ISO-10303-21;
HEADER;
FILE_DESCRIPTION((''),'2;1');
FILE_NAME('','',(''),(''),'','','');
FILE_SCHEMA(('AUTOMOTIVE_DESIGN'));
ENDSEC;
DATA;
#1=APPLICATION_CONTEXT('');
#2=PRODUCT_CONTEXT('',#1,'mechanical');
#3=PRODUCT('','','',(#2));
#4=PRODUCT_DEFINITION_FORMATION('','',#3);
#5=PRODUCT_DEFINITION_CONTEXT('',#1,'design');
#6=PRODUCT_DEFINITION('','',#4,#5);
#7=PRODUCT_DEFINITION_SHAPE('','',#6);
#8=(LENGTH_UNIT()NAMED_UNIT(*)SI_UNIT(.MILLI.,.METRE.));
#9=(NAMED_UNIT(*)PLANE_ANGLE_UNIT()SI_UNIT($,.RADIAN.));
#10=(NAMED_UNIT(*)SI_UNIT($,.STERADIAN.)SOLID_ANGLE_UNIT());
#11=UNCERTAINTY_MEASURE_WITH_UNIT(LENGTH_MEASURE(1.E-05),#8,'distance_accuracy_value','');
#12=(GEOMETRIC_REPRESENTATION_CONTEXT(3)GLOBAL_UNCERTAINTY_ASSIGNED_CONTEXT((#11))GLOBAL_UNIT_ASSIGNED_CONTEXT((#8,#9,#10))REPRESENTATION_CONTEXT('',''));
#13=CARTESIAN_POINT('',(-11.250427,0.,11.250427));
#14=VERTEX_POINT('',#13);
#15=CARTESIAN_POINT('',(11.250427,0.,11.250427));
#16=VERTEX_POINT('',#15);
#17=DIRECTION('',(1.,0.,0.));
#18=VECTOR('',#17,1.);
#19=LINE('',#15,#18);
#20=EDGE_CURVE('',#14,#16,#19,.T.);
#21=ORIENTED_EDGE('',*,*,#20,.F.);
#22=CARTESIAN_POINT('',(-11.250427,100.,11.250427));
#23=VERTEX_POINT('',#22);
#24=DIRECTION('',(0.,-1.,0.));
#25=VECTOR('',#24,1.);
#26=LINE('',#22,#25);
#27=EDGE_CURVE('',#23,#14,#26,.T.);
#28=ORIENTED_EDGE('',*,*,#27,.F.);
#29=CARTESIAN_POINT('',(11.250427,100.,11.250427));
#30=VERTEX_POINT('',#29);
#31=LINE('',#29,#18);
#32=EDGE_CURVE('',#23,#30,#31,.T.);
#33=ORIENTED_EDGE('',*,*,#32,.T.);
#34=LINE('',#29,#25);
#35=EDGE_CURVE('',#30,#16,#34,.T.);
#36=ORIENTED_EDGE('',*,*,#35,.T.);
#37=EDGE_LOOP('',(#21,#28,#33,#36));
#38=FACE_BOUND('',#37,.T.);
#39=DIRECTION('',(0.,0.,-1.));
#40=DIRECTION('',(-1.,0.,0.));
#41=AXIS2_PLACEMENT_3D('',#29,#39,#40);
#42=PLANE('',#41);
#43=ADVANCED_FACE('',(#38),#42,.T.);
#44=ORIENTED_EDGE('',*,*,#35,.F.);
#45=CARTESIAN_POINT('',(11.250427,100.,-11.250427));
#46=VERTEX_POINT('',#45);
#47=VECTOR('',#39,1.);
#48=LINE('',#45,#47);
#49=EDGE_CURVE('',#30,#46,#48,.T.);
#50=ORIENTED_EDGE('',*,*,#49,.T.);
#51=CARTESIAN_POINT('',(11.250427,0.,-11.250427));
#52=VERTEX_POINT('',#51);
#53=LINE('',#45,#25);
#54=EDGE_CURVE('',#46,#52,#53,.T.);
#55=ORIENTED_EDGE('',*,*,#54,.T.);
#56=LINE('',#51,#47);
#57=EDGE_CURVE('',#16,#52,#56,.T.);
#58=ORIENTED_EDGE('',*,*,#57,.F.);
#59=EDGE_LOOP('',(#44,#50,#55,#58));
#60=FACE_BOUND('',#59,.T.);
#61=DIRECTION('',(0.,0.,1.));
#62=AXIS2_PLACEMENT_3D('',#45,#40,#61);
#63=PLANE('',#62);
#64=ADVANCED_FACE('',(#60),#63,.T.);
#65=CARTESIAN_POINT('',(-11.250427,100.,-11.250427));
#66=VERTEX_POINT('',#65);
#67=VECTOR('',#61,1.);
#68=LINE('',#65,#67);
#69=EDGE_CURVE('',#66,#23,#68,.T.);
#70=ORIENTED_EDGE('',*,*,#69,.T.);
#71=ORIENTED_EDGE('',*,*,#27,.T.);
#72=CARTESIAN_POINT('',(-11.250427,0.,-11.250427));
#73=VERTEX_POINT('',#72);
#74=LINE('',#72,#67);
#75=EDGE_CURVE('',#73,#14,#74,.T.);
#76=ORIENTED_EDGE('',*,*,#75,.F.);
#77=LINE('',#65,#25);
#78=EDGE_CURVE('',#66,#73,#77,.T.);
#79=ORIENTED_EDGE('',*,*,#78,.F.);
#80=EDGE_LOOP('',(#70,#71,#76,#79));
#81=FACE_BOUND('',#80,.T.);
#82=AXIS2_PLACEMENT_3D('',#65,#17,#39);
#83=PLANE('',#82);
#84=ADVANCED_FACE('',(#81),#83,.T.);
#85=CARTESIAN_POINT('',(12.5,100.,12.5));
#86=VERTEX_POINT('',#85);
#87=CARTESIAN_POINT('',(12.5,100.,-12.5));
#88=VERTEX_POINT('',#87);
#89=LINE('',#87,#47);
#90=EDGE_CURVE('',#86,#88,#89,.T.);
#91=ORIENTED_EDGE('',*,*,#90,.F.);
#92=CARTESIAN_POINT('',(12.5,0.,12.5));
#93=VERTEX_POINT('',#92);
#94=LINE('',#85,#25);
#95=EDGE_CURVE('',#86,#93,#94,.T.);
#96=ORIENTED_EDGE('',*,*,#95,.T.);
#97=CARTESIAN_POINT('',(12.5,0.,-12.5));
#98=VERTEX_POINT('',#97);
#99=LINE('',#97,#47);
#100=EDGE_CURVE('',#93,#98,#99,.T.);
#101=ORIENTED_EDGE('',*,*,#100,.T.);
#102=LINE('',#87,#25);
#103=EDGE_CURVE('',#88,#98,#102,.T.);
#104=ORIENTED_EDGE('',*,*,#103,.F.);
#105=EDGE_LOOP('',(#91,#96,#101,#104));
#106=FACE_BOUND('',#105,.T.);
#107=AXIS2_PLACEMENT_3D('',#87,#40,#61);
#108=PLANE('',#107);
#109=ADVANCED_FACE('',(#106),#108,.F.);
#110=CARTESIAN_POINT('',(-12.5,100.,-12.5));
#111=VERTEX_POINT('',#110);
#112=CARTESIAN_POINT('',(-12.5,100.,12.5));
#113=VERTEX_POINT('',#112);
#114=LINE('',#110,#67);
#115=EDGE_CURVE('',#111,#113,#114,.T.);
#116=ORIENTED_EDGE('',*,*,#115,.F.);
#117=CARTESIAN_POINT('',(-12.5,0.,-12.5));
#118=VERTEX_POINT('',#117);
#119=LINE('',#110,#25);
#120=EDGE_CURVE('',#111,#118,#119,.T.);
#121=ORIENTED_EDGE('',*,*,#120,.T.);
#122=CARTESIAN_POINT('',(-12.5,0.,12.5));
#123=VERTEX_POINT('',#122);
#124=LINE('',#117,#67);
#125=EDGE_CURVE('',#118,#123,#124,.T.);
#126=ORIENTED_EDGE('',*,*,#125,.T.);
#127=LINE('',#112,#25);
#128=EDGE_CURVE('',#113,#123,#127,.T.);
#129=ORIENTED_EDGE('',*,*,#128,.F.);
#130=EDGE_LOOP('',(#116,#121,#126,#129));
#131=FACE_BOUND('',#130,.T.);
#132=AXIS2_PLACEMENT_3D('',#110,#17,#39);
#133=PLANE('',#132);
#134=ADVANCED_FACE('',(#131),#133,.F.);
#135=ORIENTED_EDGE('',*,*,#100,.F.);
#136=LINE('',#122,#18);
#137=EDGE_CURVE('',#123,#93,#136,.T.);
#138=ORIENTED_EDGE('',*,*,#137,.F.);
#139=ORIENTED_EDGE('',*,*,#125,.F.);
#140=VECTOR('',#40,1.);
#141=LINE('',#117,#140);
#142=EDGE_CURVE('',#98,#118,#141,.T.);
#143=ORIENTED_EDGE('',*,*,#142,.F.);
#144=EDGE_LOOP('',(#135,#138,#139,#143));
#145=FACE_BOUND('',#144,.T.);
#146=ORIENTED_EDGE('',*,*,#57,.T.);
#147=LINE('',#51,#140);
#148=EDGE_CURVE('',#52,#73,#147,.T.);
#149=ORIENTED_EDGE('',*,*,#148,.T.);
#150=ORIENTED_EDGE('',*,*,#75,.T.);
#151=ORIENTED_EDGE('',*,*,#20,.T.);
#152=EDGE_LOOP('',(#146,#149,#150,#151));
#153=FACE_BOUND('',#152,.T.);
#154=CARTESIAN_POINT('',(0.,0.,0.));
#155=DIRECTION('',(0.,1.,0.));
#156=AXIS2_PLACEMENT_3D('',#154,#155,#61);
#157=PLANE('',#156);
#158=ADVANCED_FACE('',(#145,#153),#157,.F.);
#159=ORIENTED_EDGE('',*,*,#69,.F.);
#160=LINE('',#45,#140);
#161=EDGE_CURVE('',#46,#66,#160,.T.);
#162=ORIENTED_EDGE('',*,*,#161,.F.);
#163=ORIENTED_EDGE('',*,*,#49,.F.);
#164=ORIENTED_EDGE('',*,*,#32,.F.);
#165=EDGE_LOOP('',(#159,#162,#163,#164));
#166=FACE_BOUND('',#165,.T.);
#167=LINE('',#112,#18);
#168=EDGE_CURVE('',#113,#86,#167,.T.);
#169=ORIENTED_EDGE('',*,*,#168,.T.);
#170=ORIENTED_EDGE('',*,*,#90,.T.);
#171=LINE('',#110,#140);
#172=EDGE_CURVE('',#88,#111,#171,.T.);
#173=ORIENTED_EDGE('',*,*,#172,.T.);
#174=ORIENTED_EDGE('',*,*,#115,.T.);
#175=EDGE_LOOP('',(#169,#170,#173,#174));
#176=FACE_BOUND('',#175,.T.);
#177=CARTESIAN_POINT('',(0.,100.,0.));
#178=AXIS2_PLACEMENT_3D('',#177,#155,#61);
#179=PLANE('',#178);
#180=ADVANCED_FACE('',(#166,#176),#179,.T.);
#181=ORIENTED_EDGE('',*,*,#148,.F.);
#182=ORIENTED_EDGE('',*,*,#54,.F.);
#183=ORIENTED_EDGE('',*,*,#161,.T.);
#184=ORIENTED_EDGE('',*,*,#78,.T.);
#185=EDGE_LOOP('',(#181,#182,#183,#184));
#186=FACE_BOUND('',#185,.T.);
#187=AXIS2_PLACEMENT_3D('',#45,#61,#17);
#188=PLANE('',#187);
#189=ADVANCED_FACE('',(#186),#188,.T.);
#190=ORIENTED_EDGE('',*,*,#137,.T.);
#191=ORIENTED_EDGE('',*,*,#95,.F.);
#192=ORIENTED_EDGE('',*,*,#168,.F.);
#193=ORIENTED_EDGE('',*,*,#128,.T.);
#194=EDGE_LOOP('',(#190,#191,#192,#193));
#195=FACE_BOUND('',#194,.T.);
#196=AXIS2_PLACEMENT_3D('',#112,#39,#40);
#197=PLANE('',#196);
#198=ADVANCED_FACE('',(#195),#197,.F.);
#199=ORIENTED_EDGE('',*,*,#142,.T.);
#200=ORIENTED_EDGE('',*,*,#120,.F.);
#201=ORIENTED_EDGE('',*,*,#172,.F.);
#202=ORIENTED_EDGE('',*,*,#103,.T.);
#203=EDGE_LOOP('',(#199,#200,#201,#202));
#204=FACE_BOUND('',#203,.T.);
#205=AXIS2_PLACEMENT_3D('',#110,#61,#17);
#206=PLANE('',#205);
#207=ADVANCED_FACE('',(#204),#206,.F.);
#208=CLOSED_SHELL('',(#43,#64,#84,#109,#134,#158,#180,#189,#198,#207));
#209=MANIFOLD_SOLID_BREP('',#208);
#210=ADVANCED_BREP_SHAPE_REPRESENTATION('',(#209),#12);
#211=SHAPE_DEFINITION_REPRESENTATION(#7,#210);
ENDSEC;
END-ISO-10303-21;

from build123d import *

# Parameters (mm, degrees)
SKETCH1_W           = 25
SKETCH1_H           = 25
SKETCH1_W_2         = 22.500853306
SKETCH1_H_2         = 22.500853306
BOSS_EXTRUDE1_DEPTH = 100


with BuildPart() as part:
    # Sketch1 → Boss-Extrude1 (new body)
    with BuildSketch(Plane(origin=(0, 0, 0), x_dir=(1, 0, 0), z_dir=(0, 1, 0))):
        Rectangle(SKETCH1_W, SKETCH1_H)
        Rectangle(SKETCH1_W_2, SKETCH1_H_2, mode=Mode.SUBTRACT)
    extrude(amount=BOSS_EXTRUDE1_DEPTH)


solid = part.part
